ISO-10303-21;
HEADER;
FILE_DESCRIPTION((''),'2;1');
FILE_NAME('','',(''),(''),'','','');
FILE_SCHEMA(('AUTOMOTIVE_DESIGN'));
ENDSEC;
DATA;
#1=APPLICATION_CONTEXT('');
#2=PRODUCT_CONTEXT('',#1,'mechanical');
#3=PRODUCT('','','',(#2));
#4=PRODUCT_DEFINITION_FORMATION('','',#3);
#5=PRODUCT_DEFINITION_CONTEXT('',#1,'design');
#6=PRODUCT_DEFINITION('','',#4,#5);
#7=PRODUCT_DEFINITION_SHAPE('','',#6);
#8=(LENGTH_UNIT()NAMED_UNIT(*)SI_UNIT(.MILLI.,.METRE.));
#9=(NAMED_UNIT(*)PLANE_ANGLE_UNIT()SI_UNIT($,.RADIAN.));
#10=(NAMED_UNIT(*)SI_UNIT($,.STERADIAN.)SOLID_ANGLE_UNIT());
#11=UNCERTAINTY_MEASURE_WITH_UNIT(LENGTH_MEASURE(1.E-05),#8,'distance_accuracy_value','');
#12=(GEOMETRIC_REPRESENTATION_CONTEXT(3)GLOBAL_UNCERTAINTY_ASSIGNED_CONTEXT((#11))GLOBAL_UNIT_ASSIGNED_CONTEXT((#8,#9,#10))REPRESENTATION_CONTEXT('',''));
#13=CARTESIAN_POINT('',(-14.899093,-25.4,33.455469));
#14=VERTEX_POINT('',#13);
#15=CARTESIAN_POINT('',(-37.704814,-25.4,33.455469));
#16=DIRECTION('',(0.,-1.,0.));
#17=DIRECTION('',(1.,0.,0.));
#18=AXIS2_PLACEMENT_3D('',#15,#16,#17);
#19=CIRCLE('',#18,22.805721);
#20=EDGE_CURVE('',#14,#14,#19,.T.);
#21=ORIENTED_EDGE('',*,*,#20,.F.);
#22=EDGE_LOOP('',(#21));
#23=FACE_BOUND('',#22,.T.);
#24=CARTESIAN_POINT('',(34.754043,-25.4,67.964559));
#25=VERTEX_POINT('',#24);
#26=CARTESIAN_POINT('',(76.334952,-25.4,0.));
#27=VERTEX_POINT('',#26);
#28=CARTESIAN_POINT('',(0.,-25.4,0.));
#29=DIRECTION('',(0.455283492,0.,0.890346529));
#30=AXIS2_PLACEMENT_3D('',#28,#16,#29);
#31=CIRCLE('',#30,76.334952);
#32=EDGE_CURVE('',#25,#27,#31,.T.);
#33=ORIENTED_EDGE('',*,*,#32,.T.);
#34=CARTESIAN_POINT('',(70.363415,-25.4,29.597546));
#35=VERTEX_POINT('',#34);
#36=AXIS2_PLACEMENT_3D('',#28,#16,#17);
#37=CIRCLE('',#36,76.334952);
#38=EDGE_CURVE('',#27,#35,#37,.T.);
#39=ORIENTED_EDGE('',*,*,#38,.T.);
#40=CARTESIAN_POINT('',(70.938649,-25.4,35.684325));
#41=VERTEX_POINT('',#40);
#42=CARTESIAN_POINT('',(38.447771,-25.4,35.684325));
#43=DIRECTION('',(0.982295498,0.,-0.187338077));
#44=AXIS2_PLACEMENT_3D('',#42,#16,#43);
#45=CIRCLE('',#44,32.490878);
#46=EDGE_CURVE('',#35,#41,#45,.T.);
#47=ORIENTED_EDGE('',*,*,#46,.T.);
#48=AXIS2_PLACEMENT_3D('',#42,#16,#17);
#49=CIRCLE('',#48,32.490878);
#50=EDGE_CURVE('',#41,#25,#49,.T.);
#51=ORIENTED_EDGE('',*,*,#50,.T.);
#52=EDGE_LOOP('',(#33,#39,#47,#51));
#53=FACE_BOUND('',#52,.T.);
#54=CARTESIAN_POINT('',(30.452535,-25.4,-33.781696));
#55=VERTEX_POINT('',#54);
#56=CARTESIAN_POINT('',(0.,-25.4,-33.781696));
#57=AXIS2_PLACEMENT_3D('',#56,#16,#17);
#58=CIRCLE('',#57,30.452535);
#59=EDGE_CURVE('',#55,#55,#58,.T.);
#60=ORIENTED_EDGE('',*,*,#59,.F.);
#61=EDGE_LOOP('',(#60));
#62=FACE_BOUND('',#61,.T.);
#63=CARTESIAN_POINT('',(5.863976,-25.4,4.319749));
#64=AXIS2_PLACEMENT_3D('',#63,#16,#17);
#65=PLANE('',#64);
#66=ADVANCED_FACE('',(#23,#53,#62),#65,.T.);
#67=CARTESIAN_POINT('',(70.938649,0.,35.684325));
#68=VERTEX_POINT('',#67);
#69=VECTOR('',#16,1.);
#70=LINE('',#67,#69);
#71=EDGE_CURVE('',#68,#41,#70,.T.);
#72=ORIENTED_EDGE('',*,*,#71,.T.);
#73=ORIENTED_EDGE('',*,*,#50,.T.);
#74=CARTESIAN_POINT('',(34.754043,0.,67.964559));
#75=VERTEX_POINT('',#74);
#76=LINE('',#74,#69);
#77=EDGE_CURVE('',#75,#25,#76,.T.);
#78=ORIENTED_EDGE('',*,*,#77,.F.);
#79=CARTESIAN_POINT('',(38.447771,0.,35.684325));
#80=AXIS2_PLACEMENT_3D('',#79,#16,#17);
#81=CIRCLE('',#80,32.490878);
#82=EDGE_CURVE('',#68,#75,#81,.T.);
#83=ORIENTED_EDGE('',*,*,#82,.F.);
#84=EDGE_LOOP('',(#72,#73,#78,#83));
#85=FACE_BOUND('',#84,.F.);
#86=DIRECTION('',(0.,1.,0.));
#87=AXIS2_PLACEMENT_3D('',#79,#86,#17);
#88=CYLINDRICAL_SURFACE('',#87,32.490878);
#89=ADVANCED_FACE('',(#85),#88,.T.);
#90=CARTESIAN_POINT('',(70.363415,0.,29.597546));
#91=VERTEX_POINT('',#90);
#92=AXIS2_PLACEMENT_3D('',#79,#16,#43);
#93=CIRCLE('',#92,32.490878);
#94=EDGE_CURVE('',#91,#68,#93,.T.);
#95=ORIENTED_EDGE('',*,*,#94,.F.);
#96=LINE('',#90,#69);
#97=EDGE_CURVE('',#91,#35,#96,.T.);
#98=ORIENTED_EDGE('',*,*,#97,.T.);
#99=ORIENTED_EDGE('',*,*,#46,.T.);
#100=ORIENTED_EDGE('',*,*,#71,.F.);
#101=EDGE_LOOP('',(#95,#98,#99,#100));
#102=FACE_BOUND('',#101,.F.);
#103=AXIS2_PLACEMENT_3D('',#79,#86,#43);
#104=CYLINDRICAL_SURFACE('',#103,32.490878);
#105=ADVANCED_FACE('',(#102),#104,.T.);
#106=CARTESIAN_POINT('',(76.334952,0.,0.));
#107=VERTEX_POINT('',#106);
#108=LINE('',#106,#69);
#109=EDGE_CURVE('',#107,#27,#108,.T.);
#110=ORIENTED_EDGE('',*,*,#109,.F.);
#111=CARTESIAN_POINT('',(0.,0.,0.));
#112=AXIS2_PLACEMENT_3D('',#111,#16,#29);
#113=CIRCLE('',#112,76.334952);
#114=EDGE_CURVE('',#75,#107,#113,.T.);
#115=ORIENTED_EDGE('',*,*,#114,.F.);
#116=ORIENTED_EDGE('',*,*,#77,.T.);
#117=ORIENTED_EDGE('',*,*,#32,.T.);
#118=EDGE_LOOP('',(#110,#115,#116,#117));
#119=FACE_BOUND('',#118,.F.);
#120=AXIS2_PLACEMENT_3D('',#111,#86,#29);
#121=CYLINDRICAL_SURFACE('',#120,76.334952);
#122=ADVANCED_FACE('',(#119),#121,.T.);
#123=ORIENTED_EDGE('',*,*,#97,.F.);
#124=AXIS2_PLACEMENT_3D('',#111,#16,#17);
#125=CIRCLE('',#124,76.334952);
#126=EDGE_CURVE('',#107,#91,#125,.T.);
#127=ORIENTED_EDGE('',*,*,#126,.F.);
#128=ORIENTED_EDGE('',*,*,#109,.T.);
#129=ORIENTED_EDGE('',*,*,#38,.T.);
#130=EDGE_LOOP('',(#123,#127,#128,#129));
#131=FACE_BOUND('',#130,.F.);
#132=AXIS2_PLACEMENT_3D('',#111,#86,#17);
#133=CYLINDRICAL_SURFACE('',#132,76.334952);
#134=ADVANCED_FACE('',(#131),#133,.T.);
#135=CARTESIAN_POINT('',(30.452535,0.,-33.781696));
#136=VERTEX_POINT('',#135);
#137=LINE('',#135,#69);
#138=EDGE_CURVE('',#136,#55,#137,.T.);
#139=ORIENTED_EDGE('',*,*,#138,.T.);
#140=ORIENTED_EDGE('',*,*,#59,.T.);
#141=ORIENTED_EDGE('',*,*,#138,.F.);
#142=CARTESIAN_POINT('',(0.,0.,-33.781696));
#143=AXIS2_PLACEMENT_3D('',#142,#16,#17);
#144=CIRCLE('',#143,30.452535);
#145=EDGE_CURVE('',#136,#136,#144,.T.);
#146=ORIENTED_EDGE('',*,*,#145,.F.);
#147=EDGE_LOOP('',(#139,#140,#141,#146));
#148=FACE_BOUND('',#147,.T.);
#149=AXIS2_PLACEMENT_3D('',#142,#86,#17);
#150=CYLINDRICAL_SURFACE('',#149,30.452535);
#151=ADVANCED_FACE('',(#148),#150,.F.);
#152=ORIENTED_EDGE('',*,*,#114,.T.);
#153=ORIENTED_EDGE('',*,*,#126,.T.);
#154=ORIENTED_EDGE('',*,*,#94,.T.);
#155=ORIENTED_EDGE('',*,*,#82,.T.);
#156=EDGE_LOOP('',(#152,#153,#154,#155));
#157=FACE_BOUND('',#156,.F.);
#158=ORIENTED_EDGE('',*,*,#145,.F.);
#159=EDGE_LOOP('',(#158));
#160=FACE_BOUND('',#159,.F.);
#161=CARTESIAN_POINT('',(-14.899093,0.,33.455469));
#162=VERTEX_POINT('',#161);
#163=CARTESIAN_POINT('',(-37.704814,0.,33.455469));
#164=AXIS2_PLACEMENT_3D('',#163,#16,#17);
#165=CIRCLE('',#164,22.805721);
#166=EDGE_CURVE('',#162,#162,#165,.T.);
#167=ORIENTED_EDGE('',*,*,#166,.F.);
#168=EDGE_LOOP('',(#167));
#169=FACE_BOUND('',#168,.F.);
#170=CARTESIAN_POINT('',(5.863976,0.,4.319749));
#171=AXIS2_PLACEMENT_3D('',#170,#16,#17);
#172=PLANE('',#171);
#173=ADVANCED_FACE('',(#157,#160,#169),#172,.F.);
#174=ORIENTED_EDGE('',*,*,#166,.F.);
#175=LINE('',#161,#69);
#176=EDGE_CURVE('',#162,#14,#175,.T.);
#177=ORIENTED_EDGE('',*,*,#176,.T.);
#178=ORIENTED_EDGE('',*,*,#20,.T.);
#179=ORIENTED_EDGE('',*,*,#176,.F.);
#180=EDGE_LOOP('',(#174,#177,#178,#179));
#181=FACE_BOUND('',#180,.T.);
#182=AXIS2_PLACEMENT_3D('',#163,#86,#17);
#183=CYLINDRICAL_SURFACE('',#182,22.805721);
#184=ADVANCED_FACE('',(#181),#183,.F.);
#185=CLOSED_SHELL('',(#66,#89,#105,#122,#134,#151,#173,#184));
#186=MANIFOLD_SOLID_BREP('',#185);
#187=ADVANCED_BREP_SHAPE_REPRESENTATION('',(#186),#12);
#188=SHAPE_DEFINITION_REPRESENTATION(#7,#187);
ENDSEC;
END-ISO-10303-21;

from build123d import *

# Parameters (mm, degrees)
F0_R     = 30.4525354722
F0_R_2   = 22.8057209723
F1_DEPTH = 25.4


with BuildPart() as f1:
    # F0 (on Front) → F1 (new body)
    with BuildSketch(Plane.XZ):
        with BuildLine():
            ThreePointArc((34.7540433633, 67.9645592268), (-65.1151789532, -39.8376494146), (76.3349516342, 0))
            ThreePointArc((76.3349516342, 0), (74.8271764936, 15.0969698611), (70.3634145045, 29.5975461864))
            ThreePointArc((70.3634145045, 29.5975461864), (14.6333627682, 13.5815849232), (34.7540433633, 67.9645592268))
        make_face()
        with Locations((0, -33.781696111)):
            Circle(F0_R, mode=Mode.SUBTRACT)
        with Locations((-37.7048142254, 33.4554687142)):
            Circle(F0_R_2, mode=Mode.SUBTRACT)
        with BuildLine():
            ThreePointArc((34.7540433633, 67.9645592268), (14.6333627682, 13.5815849232), (70.3634145045, 29.5975461864))
            ThreePointArc((70.3634145045, 29.5975461864), (55.9502181368, 51.9287774884), (34.7540433633, 67.9645592268))
        make_face()
        with BuildLine():
            ThreePointArc((34.7540433633, 67.9645592268), (55.9502181368, 51.9287774884), (70.3634145045, 29.5975461864))
            ThreePointArc((70.3634145045, 29.5975461864), (70.7945209473, 32.627374973), (70.9386493271, 35.684324801))
            ThreePointArc((70.9386493271, 35.684324801), (60.0769725299, 59.9296297245), (34.7540433633, 67.9645592268))
        make_face()
    extrude(amount=F1_DEPTH)


solid = f1.part
